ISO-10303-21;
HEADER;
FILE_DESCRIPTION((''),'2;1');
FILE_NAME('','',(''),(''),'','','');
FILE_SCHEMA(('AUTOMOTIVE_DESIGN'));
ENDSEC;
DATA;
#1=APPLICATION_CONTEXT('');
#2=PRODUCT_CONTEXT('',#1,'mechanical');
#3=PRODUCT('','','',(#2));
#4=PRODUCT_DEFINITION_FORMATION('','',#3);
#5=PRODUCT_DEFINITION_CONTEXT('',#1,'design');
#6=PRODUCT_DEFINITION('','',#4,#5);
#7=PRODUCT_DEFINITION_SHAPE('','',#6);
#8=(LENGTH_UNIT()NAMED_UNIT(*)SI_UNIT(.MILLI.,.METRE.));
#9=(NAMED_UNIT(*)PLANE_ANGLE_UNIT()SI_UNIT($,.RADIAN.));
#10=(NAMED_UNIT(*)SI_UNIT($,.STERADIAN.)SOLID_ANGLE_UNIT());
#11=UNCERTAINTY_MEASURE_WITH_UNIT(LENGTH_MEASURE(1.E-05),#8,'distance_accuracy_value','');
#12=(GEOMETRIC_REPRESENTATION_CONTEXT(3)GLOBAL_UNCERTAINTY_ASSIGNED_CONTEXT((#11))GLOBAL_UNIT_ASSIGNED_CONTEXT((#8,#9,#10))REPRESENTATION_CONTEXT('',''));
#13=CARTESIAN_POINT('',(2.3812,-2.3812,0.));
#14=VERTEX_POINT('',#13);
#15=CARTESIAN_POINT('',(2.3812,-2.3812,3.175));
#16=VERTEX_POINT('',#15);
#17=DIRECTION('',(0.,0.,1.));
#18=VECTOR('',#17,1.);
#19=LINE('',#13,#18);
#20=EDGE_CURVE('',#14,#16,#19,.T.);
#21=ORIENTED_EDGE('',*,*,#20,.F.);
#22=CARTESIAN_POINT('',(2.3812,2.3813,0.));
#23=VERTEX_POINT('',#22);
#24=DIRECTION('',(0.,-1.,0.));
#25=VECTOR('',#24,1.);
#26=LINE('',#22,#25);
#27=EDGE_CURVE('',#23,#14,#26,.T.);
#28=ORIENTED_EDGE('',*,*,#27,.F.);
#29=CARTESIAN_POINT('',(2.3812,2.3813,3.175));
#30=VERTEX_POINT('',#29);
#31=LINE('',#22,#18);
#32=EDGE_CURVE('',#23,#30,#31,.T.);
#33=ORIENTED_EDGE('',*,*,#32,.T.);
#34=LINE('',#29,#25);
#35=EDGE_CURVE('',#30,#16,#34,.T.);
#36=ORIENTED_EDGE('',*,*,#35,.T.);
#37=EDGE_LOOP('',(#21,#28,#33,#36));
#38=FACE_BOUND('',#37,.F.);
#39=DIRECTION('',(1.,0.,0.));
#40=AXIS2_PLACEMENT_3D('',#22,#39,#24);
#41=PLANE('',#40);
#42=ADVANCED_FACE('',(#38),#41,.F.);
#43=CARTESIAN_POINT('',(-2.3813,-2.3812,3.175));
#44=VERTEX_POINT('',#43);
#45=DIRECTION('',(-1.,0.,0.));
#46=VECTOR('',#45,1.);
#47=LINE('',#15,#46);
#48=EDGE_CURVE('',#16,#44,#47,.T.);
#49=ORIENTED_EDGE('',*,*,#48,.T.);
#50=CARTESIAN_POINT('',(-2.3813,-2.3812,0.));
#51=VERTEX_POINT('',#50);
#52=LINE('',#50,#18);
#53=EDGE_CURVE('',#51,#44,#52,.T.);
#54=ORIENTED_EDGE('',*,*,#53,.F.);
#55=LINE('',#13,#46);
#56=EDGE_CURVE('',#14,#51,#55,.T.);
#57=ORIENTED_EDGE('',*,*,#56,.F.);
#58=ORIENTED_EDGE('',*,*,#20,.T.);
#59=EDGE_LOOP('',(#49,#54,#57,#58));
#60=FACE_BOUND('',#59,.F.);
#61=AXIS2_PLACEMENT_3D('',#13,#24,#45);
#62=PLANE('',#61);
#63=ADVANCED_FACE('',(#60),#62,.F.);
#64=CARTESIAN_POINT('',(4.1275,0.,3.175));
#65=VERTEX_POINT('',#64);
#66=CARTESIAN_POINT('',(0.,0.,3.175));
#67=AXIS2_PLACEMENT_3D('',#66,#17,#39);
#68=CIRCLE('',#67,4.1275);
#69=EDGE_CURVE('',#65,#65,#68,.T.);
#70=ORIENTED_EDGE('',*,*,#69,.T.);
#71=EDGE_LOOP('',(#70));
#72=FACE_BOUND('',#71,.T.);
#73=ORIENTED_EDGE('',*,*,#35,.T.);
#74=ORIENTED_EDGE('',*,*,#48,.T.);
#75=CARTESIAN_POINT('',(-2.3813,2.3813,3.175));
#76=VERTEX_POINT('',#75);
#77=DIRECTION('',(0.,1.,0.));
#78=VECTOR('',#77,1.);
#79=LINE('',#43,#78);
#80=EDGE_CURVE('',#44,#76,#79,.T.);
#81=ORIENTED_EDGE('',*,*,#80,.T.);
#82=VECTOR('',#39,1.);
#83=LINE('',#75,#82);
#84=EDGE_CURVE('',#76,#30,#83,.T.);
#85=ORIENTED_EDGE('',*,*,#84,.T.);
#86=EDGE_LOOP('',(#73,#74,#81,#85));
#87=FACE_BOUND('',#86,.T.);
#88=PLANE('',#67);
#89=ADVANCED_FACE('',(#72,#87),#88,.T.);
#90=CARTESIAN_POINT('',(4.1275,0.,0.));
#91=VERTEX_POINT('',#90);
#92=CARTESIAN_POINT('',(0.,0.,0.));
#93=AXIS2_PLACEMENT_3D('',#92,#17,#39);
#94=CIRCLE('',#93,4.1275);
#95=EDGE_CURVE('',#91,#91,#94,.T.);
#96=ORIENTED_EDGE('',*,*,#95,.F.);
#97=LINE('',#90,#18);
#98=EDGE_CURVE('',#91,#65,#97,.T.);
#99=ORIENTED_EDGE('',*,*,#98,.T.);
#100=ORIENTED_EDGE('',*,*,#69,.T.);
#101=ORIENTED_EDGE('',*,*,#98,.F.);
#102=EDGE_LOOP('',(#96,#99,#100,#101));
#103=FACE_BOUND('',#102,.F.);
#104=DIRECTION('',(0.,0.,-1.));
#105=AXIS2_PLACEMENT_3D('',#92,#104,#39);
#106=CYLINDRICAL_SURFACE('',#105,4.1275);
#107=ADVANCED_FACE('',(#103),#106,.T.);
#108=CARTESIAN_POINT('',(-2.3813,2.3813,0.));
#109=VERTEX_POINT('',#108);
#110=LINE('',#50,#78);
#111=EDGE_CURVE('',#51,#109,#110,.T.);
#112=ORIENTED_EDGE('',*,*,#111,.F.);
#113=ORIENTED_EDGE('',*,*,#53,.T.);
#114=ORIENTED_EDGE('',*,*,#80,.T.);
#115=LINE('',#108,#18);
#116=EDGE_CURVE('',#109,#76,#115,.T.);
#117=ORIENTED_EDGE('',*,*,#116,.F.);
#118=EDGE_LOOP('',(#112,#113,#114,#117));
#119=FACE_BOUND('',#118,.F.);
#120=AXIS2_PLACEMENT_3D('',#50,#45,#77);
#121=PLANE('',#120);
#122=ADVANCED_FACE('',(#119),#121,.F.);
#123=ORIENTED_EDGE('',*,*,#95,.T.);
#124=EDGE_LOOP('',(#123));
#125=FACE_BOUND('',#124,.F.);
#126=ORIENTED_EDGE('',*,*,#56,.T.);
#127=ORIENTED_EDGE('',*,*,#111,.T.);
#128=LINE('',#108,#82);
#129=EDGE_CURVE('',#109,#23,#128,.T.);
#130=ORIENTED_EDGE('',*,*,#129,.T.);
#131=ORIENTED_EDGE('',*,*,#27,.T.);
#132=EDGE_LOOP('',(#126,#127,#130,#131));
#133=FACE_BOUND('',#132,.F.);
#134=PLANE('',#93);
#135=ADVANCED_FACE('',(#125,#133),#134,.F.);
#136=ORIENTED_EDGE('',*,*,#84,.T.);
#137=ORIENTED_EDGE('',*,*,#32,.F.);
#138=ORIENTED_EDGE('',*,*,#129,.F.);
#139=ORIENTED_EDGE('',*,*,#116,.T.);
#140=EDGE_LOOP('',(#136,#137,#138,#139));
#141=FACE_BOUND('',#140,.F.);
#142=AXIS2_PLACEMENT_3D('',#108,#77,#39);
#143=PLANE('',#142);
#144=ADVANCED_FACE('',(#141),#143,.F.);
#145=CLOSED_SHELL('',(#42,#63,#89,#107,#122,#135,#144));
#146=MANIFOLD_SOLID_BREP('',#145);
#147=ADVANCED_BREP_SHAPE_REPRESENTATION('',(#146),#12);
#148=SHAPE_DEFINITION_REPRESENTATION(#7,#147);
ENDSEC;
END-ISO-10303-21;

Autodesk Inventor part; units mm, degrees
ref_plane "YZ Plane" through (0, 0, 0) normal (1, 0, 0) x (0, 1, 0)
ref_plane "XZ Plane" through (0, 0, 0) normal (0, 1, 0) x (-1, 0, 0)
ref_plane "XY Plane" through (0, 0, 0) normal (0, 0, 1) x (1, 0, 0)
sketch "Sketch1" plane through (0, 0, 0) normal (0, 0, 1) x (1, 0, 0)
  circle A0 centre (0, 0) radius 4.1275
  line L0 (-2.3813, 2.3813) -> (2.3812, 2.3813)
  line L1 (2.3812, 2.3813) -> (2.3812, -2.3812)
  line L2 (2.3812, -2.3812) -> (-2.3813, -2.3812)
  line L3 (-2.3813, -2.3812) -> (-2.3813, 2.3813)
  line L4 (-2.3813, 2.3813) -> (2.3812, -2.3812) construction
  line L5 (2.3812, 2.3813) -> (-2.3813, -2.3812) construction
  dimension "d0" = 8.255
  dimension "d1" = 4.7625
  dimension "d2" = 4.7625
extrude "Extrusion1" add sketch "Sketch1" along normal blind 3.175
properties part number "bushings"
